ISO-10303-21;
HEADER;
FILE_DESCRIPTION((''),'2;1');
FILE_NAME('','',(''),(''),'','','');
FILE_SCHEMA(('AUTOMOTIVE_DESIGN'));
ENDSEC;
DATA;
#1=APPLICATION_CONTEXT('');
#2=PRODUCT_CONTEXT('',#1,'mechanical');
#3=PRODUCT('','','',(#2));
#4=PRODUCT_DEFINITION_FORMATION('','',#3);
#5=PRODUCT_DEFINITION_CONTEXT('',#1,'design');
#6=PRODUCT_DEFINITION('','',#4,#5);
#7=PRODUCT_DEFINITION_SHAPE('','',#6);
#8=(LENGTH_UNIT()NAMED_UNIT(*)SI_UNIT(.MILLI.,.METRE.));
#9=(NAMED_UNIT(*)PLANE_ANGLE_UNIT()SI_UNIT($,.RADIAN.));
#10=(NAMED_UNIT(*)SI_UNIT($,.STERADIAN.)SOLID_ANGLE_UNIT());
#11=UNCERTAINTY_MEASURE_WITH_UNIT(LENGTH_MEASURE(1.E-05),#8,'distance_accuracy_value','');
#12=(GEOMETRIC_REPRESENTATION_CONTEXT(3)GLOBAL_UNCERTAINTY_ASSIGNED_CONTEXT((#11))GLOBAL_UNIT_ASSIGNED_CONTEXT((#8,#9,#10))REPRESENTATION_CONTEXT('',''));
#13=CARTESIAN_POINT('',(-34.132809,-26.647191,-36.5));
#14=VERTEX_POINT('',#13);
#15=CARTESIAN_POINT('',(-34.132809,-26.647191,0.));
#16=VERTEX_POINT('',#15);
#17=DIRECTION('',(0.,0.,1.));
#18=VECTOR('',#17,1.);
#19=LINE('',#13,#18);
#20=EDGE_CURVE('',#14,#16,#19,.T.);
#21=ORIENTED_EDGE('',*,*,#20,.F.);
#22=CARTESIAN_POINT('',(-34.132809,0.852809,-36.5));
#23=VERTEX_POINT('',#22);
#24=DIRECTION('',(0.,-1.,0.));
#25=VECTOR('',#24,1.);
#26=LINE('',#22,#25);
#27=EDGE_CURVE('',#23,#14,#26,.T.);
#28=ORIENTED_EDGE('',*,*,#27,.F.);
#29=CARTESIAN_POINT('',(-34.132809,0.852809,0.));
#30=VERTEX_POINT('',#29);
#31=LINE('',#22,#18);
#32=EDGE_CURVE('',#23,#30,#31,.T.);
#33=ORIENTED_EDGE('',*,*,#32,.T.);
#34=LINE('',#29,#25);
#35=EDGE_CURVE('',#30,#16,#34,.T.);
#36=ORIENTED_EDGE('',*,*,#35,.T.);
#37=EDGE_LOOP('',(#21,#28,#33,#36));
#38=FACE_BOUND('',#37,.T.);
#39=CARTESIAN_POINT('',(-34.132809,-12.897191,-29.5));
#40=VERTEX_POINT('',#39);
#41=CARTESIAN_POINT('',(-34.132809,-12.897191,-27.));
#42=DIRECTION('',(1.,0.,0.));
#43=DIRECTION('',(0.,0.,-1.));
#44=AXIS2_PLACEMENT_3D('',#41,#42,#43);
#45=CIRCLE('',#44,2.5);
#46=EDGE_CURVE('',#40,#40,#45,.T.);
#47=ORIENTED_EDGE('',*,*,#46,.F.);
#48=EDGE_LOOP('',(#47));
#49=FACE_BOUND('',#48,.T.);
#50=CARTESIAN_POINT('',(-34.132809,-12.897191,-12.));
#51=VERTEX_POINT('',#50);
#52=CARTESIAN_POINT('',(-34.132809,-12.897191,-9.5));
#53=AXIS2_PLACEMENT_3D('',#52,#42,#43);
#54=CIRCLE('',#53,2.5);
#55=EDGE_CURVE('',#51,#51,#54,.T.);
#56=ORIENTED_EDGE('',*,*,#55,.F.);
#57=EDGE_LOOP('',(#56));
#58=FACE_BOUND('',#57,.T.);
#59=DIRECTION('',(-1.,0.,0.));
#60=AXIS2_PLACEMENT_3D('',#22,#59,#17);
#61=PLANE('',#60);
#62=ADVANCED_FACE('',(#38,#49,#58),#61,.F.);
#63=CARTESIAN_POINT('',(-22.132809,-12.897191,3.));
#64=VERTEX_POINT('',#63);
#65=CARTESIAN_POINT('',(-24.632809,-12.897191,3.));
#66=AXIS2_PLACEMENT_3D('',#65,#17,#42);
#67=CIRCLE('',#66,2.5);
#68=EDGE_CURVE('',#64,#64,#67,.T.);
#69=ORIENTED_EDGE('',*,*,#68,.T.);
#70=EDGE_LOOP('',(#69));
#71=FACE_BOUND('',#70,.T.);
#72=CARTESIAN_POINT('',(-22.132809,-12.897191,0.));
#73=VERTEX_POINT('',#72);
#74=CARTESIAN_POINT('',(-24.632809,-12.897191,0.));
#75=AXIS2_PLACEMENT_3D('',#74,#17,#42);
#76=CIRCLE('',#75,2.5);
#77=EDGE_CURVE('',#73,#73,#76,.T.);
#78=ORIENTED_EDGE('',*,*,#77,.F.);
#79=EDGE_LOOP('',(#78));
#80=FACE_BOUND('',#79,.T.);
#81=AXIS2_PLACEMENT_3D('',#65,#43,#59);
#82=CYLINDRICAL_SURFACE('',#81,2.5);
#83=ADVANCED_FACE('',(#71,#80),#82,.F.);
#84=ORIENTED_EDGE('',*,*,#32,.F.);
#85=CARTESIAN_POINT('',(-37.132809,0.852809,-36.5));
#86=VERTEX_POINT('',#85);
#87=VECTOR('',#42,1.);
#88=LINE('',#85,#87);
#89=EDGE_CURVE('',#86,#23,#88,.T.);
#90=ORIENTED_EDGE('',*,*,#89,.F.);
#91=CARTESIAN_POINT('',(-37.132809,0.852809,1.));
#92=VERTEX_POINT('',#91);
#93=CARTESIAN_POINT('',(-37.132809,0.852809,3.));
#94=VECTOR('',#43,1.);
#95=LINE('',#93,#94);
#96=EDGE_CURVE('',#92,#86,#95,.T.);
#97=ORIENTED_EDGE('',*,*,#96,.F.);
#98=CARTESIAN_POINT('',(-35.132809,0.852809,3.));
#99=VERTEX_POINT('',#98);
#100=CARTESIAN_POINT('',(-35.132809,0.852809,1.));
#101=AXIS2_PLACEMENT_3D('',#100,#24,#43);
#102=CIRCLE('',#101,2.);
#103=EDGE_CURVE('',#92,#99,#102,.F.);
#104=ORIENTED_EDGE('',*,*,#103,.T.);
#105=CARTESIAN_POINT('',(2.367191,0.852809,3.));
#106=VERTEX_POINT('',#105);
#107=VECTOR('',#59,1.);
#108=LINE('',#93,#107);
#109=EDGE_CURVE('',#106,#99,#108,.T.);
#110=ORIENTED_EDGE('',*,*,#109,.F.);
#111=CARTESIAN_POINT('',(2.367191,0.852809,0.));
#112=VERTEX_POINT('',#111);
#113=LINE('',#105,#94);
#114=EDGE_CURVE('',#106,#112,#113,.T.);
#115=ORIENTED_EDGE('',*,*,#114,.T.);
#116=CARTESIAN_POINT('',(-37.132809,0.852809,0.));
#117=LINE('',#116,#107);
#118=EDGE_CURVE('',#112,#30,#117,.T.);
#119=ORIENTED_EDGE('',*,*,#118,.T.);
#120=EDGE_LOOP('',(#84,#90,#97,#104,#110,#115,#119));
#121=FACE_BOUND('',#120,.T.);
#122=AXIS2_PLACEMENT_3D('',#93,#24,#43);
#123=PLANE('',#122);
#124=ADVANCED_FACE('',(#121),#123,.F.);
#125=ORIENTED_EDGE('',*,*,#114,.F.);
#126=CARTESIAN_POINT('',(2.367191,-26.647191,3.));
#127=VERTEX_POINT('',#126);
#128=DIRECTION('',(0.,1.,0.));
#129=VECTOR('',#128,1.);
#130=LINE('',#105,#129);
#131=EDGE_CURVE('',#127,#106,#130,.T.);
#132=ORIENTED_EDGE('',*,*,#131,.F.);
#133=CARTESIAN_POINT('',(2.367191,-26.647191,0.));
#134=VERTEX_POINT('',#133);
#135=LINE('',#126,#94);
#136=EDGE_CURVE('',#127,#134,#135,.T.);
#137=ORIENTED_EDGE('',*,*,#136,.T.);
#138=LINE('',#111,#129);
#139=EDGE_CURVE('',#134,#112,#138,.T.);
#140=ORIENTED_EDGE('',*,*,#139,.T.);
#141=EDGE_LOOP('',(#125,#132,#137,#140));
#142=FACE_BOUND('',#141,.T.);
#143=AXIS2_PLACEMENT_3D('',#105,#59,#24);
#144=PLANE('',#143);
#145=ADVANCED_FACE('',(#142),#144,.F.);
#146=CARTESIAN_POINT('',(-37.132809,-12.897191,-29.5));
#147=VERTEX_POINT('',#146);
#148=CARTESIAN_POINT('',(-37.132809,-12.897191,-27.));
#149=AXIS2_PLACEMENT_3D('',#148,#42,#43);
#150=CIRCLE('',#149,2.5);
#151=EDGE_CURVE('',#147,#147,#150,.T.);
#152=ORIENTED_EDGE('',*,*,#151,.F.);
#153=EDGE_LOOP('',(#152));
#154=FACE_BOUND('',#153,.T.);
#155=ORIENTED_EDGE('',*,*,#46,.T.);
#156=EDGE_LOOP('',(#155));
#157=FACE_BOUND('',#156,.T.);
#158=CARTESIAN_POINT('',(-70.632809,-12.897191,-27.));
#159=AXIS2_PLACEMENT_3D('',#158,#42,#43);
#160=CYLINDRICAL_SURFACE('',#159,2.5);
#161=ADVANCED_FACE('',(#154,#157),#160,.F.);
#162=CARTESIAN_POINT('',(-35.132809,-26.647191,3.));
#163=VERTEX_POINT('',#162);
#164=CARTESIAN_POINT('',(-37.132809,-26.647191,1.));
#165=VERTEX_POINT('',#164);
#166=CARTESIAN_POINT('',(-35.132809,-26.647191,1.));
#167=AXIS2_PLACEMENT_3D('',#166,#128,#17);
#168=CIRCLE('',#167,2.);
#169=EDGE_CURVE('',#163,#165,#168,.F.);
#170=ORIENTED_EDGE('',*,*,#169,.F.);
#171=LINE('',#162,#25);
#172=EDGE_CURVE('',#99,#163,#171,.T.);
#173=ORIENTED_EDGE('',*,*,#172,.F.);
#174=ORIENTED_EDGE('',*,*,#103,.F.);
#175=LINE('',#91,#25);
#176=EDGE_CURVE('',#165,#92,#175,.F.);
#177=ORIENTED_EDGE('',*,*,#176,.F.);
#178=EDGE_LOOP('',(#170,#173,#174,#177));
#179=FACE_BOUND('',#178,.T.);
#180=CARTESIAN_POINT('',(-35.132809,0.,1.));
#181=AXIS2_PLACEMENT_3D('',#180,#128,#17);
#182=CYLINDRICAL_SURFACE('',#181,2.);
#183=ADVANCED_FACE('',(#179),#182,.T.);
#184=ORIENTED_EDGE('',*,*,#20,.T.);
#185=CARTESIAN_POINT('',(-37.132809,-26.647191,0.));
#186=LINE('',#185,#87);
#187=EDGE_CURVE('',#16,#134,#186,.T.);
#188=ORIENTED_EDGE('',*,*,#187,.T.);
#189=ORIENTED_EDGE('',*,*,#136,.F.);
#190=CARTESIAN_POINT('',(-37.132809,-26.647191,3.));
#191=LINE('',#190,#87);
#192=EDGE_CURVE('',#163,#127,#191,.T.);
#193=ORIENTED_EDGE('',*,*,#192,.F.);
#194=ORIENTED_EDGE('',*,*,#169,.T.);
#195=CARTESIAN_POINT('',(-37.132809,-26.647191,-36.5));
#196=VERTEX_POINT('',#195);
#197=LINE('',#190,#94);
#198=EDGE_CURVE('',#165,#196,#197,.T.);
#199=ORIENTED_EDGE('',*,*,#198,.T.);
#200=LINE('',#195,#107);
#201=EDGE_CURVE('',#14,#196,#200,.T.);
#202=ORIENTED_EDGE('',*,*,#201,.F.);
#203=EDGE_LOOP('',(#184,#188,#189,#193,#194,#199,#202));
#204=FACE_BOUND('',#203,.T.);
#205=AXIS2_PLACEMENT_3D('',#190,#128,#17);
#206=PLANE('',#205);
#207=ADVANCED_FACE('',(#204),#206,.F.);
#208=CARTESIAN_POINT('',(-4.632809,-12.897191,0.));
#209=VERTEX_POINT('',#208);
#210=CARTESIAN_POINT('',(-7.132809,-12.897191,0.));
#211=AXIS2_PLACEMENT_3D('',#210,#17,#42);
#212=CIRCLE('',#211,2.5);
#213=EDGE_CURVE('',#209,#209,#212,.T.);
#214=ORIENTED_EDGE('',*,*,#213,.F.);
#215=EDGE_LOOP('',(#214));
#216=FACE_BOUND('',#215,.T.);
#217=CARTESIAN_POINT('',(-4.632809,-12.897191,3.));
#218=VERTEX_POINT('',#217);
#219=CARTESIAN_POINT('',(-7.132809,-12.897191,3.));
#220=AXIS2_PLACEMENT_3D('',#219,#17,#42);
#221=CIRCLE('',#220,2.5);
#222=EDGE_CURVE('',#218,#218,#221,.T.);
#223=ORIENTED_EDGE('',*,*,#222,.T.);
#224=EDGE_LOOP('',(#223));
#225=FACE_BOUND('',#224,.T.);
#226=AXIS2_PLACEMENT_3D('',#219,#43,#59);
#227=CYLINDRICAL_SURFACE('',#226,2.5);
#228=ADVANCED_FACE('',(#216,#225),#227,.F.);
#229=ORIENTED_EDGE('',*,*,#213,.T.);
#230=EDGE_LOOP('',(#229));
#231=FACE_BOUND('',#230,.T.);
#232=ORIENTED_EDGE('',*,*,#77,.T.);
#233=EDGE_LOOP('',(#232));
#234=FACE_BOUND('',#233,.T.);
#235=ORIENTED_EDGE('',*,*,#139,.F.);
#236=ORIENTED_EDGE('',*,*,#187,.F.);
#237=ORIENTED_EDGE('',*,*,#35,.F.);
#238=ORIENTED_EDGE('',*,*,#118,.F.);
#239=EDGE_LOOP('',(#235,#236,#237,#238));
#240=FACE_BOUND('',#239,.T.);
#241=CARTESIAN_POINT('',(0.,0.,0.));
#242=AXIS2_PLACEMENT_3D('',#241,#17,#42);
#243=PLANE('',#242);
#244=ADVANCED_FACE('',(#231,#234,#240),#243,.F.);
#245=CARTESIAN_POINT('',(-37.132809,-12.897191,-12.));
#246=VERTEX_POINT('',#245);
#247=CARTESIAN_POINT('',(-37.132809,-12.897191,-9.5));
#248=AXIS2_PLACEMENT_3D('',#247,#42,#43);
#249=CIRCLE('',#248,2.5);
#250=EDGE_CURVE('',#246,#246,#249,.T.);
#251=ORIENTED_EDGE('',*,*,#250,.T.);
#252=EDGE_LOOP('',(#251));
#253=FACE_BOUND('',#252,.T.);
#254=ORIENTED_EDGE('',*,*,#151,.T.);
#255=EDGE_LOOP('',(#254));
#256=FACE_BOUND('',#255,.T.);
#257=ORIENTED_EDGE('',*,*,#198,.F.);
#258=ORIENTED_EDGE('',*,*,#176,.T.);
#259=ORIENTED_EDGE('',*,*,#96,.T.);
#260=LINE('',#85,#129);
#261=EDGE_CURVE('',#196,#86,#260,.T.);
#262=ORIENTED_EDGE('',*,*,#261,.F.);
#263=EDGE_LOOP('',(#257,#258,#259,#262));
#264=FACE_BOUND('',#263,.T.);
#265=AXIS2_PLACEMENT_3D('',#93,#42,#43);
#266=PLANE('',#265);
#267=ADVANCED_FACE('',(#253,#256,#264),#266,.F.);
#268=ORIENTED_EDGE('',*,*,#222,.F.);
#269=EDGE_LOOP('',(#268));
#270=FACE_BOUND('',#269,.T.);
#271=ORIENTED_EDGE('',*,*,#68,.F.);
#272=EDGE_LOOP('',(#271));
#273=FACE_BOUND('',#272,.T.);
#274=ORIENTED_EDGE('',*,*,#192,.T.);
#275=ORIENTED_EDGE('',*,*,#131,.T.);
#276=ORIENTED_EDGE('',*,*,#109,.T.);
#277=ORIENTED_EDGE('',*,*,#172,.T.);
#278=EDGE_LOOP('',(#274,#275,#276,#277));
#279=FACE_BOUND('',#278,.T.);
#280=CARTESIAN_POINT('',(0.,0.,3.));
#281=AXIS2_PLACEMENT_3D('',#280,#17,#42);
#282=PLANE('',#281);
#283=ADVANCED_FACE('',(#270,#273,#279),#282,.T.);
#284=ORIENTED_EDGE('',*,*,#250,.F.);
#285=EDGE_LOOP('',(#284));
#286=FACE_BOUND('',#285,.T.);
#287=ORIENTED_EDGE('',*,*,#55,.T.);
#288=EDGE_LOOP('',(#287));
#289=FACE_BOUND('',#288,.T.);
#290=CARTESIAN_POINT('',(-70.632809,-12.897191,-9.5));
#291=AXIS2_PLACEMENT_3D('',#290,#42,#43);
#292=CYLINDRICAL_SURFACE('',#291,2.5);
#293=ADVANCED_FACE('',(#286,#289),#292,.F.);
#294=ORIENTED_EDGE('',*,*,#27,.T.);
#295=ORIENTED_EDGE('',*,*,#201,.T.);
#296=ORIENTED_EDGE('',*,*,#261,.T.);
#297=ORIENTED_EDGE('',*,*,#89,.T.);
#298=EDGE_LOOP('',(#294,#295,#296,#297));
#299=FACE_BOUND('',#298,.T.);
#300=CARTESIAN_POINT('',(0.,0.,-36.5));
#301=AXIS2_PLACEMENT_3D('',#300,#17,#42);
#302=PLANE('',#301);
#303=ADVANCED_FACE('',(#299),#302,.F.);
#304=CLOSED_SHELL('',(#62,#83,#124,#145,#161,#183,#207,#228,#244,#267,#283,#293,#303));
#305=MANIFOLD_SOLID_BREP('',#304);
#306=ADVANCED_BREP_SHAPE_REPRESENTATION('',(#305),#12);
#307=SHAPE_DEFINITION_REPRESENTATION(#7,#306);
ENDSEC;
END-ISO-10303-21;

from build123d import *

# Parameters (mm, degrees)
SKETCH1_W           = 39.5
SKETCH1_H           = 27.5
SKETCH1_R           = 2.5
BOSS_EXTRUDE1_DEPTH = 3
SKETCH3_W           = 3
SKETCH3_H           = 27.5
BOSS_EXTRUDE2_DEPTH = 36.5
SKETCH4_R           = 2.5
CUT_EXTRUDE1_DEPTH  = 36.5
FILLET1_R           = 2


with BuildPart() as part:
    # Sketch1 → Boss-Extrude1 (new body)
    with BuildSketch(Plane.XY):
        with Locations((-17.382808989, -12.897191011)):
            Rectangle(SKETCH1_W, SKETCH1_H)
        with Locations((-24.632808989, -12.897191011)):
            Circle(SKETCH1_R, mode=Mode.SUBTRACT)
        with Locations((-7.132808989, -12.897191011)):
            Circle(SKETCH1_R, mode=Mode.SUBTRACT)
    extrude(amount=BOSS_EXTRUDE1_DEPTH)

    # Sketch3 → Boss-Extrude2 (add)
    with BuildSketch(Plane(origin=(0, 0, 0), x_dir=(-1, 0, 0), z_dir=(0, 0, -1))):
        with Locations((35.632808989, -12.897191011)):
            Rectangle(SKETCH3_W, SKETCH3_H)
    extrude(amount=BOSS_EXTRUDE2_DEPTH)

    # Sketch4 → Cut-Extrude1 (cut)
    with BuildSketch(Plane(origin=(-34.132808989, 0, 0), x_dir=(0, 0, -1), z_dir=(1, 0, 0))):
        with Locations((9.5, -12.897191011)):
            Circle(SKETCH4_R)
        with Locations((27, -12.897191011)):
            Circle(SKETCH4_R)
    extrude(amount=-CUT_EXTRUDE1_DEPTH, mode=Mode.SUBTRACT)

    # Fillet1
    fillet1_edges = [part.edges().sort_by_distance(p)[0] for p in [
        (-37.132808989, -12.897191011, 3),
    ]]
    fillet(fillet1_edges, radius=FILLET1_R)


solid = part.part
